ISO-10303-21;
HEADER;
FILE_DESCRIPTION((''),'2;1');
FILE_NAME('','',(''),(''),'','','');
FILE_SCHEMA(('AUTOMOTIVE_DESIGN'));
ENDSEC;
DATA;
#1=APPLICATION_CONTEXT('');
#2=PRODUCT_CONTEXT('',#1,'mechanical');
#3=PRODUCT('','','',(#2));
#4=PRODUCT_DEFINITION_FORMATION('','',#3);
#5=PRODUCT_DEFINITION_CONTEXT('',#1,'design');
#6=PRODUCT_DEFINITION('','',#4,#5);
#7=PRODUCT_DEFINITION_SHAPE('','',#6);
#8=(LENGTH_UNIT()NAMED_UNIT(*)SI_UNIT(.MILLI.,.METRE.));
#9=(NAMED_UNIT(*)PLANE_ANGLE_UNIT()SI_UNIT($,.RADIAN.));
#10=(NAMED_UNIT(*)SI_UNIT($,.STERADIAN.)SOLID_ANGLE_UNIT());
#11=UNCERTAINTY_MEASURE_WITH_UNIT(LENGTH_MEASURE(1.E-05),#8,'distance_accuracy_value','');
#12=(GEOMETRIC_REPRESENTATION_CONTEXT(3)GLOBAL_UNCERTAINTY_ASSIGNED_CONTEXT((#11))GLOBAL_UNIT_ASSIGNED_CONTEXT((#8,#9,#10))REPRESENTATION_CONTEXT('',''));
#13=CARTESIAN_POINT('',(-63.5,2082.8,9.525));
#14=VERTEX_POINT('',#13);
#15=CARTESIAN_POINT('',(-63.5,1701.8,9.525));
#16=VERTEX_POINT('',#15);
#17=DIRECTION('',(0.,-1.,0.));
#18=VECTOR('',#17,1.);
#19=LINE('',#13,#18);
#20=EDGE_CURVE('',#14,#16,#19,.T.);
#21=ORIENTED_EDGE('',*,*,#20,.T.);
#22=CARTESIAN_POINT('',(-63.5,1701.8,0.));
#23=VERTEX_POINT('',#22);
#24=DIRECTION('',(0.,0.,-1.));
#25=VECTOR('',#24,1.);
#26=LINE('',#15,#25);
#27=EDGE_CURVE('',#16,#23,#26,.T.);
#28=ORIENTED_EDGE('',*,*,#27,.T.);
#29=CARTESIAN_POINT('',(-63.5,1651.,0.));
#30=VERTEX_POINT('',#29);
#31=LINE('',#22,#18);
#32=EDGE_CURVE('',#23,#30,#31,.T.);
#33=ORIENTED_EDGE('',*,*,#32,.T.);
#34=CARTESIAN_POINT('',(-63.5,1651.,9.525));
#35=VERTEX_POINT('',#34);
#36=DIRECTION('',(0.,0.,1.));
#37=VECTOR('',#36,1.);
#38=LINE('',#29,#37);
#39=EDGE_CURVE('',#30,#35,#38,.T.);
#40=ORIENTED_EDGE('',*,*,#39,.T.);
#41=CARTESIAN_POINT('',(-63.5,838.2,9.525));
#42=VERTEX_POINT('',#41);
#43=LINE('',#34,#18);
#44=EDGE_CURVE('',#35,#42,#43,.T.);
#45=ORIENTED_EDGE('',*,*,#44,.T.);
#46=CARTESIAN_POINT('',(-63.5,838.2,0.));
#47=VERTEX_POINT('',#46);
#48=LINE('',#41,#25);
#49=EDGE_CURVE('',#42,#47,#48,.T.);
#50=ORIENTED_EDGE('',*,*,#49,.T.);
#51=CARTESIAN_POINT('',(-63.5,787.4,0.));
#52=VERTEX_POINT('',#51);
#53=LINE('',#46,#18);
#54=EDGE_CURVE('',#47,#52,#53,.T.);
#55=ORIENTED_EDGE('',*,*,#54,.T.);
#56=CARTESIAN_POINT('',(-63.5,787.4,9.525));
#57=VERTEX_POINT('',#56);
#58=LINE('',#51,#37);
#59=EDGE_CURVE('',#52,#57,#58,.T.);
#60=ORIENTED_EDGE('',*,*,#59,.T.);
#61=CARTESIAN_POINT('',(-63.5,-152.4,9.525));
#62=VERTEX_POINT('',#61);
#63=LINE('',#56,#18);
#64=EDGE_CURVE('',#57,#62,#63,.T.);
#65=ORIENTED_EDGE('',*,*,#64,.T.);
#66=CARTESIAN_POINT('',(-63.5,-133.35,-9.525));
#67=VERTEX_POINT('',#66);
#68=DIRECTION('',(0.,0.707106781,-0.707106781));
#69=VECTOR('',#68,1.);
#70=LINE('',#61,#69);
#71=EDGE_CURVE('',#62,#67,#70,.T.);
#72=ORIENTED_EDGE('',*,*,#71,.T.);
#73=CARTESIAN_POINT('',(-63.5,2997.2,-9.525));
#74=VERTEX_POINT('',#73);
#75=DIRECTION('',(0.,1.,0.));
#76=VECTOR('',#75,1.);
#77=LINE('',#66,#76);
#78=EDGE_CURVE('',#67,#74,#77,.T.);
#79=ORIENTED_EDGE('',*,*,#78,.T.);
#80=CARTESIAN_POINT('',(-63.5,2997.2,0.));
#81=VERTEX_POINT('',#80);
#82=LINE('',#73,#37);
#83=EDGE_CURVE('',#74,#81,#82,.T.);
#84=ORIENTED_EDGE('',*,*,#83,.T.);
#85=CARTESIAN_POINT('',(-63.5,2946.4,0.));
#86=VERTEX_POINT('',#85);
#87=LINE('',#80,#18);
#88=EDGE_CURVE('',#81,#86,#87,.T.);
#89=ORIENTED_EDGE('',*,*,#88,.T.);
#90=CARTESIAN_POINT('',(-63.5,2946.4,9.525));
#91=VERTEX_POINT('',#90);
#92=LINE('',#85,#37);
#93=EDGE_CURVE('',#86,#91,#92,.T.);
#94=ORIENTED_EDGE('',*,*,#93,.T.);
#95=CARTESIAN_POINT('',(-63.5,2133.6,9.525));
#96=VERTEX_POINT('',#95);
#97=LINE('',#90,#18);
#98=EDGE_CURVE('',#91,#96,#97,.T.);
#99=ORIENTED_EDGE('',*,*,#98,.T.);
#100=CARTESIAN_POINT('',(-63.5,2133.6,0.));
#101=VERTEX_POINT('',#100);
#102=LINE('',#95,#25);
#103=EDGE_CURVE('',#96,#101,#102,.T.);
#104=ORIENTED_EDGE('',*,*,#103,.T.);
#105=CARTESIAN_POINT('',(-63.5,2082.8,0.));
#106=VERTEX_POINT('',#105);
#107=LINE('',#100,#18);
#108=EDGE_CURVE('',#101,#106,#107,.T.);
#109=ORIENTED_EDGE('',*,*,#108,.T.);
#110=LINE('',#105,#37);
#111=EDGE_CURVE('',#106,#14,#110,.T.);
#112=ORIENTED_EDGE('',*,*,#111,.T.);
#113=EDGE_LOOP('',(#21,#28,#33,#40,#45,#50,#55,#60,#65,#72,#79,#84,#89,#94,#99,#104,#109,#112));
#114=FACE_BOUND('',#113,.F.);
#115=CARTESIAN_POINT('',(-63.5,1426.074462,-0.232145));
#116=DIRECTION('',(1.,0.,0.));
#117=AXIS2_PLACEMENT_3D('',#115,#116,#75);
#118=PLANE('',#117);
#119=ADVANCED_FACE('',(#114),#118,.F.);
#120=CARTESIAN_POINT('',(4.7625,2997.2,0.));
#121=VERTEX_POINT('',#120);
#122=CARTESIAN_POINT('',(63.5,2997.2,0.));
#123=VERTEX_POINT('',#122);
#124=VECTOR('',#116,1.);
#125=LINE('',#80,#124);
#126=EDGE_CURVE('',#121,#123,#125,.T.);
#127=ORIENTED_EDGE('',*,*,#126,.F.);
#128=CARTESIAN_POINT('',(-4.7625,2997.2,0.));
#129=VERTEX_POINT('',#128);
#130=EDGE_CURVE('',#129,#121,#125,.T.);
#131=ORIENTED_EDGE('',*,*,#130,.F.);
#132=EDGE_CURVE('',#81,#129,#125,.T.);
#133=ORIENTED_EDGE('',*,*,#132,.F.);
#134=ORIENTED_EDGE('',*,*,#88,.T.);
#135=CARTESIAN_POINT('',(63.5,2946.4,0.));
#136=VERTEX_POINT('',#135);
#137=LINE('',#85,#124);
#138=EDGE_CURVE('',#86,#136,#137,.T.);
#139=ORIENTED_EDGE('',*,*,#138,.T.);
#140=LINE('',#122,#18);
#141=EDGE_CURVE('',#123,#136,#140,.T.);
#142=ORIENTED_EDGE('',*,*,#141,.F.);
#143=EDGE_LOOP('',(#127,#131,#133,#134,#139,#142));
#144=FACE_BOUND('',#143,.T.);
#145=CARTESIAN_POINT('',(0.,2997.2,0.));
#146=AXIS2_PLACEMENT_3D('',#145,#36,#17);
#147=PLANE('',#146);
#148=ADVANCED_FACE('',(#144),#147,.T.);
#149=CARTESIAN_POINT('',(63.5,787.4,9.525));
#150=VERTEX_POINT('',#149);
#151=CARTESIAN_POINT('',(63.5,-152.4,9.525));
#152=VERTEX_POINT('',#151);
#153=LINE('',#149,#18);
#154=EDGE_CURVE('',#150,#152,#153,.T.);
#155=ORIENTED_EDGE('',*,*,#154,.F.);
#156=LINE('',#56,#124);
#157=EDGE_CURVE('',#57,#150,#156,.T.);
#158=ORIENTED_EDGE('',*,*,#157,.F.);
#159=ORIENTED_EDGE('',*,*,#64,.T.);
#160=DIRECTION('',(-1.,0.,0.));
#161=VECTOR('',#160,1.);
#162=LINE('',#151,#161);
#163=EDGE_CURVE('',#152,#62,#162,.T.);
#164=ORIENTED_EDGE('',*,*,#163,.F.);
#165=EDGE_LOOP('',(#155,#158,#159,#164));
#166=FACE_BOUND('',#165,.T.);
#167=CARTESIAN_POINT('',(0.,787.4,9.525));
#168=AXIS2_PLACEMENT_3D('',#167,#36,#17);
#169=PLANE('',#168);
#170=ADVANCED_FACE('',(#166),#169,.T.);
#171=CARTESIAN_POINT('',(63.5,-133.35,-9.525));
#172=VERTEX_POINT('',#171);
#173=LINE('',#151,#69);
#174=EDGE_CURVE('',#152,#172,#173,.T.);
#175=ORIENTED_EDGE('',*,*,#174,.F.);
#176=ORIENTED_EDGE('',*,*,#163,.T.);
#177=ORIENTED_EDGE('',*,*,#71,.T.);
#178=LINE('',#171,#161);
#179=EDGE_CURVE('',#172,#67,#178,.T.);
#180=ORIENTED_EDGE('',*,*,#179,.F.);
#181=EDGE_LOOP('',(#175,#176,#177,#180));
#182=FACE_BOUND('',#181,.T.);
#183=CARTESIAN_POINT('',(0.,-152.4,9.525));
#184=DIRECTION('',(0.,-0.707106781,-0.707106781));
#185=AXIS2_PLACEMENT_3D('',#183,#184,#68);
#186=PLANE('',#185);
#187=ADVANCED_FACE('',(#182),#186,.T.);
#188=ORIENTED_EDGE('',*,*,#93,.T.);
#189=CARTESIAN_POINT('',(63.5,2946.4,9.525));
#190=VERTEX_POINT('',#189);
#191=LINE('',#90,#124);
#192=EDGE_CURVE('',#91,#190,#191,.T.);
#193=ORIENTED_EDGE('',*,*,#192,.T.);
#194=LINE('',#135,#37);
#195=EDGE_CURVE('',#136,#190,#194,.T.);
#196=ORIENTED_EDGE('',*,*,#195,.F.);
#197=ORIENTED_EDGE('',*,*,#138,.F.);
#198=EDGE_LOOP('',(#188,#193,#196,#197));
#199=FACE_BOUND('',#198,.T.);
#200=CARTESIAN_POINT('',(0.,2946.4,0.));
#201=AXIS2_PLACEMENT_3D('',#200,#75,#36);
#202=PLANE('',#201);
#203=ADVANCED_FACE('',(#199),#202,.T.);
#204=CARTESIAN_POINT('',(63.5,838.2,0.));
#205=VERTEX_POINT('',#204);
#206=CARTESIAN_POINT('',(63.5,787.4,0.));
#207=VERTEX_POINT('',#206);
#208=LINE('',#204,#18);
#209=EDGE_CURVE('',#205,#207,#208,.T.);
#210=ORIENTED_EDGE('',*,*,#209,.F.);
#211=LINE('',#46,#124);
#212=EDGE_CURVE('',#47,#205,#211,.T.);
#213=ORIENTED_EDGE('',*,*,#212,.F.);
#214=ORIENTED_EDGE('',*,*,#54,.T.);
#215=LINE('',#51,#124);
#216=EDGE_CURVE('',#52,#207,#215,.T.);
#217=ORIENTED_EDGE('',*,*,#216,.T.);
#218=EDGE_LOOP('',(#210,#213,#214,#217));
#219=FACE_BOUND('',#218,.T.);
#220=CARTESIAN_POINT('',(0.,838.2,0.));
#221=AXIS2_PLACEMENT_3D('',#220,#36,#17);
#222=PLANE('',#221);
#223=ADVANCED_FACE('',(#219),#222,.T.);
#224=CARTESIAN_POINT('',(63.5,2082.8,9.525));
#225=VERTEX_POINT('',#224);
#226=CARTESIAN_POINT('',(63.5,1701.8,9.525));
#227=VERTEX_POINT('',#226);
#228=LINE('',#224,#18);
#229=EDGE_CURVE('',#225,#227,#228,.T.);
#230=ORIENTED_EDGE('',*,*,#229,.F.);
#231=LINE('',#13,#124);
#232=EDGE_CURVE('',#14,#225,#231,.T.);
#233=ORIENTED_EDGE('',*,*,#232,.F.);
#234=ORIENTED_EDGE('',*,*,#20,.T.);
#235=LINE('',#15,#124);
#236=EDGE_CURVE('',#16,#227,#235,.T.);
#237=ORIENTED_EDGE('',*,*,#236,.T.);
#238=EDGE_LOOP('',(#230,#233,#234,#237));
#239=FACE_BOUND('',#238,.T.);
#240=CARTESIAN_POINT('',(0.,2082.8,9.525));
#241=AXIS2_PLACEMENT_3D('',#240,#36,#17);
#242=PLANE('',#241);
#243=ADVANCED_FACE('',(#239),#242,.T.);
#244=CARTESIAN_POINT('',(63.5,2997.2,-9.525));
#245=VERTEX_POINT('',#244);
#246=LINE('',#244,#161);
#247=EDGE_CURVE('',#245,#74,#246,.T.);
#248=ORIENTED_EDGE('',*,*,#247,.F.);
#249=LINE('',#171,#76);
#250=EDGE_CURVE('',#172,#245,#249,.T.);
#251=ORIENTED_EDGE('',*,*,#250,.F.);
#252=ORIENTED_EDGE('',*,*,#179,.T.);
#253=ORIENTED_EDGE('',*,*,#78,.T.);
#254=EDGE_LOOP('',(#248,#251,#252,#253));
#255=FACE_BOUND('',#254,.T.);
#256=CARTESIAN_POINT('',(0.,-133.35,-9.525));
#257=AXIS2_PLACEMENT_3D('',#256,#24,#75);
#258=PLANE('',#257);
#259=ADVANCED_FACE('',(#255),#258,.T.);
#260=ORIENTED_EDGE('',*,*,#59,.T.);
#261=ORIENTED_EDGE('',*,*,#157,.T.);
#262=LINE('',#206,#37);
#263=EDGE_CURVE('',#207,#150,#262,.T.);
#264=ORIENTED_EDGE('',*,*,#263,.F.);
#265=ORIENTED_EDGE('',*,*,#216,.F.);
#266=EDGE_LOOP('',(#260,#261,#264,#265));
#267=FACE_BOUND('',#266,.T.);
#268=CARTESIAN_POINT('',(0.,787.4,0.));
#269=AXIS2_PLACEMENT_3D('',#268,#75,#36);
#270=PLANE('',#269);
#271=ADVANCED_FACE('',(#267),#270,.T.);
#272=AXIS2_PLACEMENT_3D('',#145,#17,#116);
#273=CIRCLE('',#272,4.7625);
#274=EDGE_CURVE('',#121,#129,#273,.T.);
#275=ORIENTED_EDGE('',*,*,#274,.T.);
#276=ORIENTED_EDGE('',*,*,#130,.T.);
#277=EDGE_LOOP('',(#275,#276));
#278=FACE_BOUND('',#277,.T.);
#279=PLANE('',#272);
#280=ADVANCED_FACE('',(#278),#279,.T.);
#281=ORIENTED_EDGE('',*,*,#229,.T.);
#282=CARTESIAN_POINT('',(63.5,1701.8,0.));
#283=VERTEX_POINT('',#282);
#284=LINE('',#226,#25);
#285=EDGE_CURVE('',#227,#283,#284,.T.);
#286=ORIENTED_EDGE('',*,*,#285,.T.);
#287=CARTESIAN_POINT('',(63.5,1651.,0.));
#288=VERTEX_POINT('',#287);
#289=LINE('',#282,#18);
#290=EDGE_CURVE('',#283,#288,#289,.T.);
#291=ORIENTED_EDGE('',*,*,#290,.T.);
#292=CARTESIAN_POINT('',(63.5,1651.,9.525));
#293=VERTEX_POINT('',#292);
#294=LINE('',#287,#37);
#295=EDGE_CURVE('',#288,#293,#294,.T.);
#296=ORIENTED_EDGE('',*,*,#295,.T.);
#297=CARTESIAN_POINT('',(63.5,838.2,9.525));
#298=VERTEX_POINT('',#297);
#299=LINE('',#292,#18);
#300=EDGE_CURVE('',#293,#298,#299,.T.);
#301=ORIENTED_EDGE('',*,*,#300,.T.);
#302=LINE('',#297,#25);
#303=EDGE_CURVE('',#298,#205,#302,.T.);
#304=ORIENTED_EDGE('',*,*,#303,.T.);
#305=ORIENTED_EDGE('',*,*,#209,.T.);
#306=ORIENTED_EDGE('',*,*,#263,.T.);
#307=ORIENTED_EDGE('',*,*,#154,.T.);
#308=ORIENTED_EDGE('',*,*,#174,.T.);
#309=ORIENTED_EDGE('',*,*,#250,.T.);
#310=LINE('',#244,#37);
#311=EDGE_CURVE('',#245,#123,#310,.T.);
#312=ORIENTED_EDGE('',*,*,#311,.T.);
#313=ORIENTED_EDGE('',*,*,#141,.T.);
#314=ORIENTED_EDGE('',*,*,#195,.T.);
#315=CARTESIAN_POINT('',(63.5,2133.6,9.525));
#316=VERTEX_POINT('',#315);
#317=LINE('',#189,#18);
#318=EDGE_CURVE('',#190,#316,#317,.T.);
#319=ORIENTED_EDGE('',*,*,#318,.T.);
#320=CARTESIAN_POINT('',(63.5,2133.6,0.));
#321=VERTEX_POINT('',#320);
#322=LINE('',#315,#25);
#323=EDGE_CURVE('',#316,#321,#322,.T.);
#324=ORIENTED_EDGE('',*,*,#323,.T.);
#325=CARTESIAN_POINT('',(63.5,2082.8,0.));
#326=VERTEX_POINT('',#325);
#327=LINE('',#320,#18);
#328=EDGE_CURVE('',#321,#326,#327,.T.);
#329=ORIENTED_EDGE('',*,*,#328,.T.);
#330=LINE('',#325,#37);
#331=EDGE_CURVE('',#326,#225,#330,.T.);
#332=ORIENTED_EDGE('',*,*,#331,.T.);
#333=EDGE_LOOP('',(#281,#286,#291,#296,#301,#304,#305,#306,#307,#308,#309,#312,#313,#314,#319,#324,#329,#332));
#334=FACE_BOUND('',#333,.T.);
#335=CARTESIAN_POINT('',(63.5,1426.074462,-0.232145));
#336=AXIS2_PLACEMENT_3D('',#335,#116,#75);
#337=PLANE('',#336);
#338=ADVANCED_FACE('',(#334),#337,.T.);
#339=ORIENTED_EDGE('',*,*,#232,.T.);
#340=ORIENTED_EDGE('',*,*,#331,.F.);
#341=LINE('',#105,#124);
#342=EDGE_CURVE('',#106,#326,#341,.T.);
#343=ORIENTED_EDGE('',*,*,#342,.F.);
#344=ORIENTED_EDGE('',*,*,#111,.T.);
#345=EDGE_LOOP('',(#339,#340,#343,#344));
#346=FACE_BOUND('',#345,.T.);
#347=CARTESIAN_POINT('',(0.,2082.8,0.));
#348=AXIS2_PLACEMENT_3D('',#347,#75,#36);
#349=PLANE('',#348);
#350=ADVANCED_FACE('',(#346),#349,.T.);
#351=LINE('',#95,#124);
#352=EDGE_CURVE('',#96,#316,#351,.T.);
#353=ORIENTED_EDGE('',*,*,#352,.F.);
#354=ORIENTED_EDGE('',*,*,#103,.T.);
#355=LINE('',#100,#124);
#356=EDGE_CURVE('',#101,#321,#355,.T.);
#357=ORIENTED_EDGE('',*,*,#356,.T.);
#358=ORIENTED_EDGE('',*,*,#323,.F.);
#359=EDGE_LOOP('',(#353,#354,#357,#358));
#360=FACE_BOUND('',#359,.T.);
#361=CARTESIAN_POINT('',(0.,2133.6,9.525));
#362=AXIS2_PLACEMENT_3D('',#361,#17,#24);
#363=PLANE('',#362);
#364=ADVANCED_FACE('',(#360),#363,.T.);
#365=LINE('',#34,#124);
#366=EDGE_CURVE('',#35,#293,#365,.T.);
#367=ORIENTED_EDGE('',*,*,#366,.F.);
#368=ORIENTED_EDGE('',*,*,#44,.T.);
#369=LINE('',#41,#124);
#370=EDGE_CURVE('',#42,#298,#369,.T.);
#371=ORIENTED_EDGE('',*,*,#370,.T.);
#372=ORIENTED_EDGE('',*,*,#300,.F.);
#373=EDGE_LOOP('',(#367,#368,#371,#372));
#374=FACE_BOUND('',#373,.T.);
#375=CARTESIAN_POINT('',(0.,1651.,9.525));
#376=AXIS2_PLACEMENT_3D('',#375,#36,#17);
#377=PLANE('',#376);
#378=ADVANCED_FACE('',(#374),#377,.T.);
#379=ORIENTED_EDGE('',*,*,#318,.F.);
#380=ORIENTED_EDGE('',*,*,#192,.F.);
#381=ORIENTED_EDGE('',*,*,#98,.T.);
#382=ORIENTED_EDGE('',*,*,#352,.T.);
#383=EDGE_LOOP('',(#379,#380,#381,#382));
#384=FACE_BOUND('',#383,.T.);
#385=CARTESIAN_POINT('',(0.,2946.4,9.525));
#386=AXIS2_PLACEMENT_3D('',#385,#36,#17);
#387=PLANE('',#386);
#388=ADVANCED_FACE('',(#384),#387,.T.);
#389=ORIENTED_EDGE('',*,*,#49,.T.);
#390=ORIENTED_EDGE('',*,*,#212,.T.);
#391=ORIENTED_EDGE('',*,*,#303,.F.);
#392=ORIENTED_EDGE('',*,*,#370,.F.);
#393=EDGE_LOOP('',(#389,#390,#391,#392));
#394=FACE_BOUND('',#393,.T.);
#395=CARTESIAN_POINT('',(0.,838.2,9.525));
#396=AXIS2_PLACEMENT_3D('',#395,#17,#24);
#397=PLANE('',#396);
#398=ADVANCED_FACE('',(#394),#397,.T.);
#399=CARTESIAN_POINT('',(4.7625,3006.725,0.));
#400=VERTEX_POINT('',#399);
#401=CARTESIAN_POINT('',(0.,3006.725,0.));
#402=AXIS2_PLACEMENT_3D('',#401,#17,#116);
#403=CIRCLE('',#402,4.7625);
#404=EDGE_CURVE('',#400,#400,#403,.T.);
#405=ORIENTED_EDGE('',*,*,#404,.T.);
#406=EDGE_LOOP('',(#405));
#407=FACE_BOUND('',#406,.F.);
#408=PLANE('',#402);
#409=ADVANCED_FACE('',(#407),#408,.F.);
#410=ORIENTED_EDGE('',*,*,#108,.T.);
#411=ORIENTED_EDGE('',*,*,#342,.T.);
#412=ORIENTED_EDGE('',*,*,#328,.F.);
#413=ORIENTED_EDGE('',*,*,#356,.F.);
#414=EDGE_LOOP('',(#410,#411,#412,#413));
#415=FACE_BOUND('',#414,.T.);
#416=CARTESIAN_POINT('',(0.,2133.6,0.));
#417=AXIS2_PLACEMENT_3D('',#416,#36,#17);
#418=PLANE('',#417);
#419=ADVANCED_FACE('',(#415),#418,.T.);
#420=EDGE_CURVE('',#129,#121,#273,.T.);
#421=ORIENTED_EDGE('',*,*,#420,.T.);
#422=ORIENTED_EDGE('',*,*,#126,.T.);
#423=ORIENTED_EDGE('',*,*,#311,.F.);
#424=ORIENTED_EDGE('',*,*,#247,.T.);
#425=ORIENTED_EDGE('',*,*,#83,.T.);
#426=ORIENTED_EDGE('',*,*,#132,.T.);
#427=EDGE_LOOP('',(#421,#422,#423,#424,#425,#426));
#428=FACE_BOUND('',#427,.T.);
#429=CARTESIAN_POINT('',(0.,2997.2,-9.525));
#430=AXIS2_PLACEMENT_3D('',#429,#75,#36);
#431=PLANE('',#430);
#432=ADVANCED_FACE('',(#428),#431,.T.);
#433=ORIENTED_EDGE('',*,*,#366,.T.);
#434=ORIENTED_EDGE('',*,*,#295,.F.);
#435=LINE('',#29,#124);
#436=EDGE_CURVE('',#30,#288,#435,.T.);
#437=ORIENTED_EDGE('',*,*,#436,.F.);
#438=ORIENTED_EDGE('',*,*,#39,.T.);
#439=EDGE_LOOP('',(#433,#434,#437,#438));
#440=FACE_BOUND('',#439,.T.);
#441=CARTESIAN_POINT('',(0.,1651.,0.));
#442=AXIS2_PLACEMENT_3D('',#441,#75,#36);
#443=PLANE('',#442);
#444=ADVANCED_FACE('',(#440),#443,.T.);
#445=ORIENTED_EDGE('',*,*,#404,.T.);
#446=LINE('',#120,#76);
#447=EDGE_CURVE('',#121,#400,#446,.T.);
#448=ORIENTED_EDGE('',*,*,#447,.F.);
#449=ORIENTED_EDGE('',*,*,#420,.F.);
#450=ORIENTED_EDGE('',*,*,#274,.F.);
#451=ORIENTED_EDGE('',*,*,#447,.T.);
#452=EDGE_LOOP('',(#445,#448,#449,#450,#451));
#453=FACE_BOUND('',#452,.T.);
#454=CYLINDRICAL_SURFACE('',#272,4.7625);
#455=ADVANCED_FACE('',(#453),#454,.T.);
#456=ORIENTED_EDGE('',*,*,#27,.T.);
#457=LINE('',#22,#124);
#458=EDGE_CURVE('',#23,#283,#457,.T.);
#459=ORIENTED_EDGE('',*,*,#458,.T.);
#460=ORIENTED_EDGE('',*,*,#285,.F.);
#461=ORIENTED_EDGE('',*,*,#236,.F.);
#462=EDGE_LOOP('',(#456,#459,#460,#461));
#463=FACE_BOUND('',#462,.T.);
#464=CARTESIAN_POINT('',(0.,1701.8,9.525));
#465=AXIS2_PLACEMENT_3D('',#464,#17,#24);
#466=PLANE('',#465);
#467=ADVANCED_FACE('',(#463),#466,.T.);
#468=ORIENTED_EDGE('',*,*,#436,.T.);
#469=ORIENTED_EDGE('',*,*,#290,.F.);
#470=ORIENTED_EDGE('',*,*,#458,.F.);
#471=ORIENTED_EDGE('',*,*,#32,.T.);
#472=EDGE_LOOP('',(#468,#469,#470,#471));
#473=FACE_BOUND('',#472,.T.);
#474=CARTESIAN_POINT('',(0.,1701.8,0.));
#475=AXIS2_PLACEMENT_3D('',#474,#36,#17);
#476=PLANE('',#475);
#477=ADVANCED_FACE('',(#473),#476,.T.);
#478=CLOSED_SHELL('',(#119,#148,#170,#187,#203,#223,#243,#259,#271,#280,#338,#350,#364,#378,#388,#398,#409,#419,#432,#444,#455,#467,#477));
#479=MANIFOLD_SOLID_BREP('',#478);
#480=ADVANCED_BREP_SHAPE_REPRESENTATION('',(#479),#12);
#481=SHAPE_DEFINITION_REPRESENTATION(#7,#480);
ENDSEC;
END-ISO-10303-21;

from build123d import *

# Parameters (mm, degrees)
F1_DEPTH = 63.5
F3_R     = 4.7625
F4_DEPTH = 9.525


with BuildPart() as f1:
    # F0 (on Right) → F1 (new body, symmetric)
    with BuildSketch(Plane.YZ):
        Polygon((-33.290768, -9.525), (2997.2, -9.525), (2997.2, 0), (2946.4, 0), (2946.4, 9.525), (2133.6, 9.525), (2133.6, 0), (2082.8, 0), (2082.8, 9.525), (1701.8, 9.525), (1701.8, 0), (1651, 0), (1651, 9.525), (838.2, 9.525), (838.2, 0), (787.4, 0), (787.4, 9.525), (0, 9.525), (-152.4, 9.525), (-133.35, -9.525), align=None)
    extrude(amount=F1_DEPTH, both=True)

    # F3 (on offset) → F4 (join)
    with BuildSketch(Plane.XZ.offset(-2997.2)):
        Circle(F3_R)
    extrude(amount=-F4_DEPTH)


solid = f1.part
